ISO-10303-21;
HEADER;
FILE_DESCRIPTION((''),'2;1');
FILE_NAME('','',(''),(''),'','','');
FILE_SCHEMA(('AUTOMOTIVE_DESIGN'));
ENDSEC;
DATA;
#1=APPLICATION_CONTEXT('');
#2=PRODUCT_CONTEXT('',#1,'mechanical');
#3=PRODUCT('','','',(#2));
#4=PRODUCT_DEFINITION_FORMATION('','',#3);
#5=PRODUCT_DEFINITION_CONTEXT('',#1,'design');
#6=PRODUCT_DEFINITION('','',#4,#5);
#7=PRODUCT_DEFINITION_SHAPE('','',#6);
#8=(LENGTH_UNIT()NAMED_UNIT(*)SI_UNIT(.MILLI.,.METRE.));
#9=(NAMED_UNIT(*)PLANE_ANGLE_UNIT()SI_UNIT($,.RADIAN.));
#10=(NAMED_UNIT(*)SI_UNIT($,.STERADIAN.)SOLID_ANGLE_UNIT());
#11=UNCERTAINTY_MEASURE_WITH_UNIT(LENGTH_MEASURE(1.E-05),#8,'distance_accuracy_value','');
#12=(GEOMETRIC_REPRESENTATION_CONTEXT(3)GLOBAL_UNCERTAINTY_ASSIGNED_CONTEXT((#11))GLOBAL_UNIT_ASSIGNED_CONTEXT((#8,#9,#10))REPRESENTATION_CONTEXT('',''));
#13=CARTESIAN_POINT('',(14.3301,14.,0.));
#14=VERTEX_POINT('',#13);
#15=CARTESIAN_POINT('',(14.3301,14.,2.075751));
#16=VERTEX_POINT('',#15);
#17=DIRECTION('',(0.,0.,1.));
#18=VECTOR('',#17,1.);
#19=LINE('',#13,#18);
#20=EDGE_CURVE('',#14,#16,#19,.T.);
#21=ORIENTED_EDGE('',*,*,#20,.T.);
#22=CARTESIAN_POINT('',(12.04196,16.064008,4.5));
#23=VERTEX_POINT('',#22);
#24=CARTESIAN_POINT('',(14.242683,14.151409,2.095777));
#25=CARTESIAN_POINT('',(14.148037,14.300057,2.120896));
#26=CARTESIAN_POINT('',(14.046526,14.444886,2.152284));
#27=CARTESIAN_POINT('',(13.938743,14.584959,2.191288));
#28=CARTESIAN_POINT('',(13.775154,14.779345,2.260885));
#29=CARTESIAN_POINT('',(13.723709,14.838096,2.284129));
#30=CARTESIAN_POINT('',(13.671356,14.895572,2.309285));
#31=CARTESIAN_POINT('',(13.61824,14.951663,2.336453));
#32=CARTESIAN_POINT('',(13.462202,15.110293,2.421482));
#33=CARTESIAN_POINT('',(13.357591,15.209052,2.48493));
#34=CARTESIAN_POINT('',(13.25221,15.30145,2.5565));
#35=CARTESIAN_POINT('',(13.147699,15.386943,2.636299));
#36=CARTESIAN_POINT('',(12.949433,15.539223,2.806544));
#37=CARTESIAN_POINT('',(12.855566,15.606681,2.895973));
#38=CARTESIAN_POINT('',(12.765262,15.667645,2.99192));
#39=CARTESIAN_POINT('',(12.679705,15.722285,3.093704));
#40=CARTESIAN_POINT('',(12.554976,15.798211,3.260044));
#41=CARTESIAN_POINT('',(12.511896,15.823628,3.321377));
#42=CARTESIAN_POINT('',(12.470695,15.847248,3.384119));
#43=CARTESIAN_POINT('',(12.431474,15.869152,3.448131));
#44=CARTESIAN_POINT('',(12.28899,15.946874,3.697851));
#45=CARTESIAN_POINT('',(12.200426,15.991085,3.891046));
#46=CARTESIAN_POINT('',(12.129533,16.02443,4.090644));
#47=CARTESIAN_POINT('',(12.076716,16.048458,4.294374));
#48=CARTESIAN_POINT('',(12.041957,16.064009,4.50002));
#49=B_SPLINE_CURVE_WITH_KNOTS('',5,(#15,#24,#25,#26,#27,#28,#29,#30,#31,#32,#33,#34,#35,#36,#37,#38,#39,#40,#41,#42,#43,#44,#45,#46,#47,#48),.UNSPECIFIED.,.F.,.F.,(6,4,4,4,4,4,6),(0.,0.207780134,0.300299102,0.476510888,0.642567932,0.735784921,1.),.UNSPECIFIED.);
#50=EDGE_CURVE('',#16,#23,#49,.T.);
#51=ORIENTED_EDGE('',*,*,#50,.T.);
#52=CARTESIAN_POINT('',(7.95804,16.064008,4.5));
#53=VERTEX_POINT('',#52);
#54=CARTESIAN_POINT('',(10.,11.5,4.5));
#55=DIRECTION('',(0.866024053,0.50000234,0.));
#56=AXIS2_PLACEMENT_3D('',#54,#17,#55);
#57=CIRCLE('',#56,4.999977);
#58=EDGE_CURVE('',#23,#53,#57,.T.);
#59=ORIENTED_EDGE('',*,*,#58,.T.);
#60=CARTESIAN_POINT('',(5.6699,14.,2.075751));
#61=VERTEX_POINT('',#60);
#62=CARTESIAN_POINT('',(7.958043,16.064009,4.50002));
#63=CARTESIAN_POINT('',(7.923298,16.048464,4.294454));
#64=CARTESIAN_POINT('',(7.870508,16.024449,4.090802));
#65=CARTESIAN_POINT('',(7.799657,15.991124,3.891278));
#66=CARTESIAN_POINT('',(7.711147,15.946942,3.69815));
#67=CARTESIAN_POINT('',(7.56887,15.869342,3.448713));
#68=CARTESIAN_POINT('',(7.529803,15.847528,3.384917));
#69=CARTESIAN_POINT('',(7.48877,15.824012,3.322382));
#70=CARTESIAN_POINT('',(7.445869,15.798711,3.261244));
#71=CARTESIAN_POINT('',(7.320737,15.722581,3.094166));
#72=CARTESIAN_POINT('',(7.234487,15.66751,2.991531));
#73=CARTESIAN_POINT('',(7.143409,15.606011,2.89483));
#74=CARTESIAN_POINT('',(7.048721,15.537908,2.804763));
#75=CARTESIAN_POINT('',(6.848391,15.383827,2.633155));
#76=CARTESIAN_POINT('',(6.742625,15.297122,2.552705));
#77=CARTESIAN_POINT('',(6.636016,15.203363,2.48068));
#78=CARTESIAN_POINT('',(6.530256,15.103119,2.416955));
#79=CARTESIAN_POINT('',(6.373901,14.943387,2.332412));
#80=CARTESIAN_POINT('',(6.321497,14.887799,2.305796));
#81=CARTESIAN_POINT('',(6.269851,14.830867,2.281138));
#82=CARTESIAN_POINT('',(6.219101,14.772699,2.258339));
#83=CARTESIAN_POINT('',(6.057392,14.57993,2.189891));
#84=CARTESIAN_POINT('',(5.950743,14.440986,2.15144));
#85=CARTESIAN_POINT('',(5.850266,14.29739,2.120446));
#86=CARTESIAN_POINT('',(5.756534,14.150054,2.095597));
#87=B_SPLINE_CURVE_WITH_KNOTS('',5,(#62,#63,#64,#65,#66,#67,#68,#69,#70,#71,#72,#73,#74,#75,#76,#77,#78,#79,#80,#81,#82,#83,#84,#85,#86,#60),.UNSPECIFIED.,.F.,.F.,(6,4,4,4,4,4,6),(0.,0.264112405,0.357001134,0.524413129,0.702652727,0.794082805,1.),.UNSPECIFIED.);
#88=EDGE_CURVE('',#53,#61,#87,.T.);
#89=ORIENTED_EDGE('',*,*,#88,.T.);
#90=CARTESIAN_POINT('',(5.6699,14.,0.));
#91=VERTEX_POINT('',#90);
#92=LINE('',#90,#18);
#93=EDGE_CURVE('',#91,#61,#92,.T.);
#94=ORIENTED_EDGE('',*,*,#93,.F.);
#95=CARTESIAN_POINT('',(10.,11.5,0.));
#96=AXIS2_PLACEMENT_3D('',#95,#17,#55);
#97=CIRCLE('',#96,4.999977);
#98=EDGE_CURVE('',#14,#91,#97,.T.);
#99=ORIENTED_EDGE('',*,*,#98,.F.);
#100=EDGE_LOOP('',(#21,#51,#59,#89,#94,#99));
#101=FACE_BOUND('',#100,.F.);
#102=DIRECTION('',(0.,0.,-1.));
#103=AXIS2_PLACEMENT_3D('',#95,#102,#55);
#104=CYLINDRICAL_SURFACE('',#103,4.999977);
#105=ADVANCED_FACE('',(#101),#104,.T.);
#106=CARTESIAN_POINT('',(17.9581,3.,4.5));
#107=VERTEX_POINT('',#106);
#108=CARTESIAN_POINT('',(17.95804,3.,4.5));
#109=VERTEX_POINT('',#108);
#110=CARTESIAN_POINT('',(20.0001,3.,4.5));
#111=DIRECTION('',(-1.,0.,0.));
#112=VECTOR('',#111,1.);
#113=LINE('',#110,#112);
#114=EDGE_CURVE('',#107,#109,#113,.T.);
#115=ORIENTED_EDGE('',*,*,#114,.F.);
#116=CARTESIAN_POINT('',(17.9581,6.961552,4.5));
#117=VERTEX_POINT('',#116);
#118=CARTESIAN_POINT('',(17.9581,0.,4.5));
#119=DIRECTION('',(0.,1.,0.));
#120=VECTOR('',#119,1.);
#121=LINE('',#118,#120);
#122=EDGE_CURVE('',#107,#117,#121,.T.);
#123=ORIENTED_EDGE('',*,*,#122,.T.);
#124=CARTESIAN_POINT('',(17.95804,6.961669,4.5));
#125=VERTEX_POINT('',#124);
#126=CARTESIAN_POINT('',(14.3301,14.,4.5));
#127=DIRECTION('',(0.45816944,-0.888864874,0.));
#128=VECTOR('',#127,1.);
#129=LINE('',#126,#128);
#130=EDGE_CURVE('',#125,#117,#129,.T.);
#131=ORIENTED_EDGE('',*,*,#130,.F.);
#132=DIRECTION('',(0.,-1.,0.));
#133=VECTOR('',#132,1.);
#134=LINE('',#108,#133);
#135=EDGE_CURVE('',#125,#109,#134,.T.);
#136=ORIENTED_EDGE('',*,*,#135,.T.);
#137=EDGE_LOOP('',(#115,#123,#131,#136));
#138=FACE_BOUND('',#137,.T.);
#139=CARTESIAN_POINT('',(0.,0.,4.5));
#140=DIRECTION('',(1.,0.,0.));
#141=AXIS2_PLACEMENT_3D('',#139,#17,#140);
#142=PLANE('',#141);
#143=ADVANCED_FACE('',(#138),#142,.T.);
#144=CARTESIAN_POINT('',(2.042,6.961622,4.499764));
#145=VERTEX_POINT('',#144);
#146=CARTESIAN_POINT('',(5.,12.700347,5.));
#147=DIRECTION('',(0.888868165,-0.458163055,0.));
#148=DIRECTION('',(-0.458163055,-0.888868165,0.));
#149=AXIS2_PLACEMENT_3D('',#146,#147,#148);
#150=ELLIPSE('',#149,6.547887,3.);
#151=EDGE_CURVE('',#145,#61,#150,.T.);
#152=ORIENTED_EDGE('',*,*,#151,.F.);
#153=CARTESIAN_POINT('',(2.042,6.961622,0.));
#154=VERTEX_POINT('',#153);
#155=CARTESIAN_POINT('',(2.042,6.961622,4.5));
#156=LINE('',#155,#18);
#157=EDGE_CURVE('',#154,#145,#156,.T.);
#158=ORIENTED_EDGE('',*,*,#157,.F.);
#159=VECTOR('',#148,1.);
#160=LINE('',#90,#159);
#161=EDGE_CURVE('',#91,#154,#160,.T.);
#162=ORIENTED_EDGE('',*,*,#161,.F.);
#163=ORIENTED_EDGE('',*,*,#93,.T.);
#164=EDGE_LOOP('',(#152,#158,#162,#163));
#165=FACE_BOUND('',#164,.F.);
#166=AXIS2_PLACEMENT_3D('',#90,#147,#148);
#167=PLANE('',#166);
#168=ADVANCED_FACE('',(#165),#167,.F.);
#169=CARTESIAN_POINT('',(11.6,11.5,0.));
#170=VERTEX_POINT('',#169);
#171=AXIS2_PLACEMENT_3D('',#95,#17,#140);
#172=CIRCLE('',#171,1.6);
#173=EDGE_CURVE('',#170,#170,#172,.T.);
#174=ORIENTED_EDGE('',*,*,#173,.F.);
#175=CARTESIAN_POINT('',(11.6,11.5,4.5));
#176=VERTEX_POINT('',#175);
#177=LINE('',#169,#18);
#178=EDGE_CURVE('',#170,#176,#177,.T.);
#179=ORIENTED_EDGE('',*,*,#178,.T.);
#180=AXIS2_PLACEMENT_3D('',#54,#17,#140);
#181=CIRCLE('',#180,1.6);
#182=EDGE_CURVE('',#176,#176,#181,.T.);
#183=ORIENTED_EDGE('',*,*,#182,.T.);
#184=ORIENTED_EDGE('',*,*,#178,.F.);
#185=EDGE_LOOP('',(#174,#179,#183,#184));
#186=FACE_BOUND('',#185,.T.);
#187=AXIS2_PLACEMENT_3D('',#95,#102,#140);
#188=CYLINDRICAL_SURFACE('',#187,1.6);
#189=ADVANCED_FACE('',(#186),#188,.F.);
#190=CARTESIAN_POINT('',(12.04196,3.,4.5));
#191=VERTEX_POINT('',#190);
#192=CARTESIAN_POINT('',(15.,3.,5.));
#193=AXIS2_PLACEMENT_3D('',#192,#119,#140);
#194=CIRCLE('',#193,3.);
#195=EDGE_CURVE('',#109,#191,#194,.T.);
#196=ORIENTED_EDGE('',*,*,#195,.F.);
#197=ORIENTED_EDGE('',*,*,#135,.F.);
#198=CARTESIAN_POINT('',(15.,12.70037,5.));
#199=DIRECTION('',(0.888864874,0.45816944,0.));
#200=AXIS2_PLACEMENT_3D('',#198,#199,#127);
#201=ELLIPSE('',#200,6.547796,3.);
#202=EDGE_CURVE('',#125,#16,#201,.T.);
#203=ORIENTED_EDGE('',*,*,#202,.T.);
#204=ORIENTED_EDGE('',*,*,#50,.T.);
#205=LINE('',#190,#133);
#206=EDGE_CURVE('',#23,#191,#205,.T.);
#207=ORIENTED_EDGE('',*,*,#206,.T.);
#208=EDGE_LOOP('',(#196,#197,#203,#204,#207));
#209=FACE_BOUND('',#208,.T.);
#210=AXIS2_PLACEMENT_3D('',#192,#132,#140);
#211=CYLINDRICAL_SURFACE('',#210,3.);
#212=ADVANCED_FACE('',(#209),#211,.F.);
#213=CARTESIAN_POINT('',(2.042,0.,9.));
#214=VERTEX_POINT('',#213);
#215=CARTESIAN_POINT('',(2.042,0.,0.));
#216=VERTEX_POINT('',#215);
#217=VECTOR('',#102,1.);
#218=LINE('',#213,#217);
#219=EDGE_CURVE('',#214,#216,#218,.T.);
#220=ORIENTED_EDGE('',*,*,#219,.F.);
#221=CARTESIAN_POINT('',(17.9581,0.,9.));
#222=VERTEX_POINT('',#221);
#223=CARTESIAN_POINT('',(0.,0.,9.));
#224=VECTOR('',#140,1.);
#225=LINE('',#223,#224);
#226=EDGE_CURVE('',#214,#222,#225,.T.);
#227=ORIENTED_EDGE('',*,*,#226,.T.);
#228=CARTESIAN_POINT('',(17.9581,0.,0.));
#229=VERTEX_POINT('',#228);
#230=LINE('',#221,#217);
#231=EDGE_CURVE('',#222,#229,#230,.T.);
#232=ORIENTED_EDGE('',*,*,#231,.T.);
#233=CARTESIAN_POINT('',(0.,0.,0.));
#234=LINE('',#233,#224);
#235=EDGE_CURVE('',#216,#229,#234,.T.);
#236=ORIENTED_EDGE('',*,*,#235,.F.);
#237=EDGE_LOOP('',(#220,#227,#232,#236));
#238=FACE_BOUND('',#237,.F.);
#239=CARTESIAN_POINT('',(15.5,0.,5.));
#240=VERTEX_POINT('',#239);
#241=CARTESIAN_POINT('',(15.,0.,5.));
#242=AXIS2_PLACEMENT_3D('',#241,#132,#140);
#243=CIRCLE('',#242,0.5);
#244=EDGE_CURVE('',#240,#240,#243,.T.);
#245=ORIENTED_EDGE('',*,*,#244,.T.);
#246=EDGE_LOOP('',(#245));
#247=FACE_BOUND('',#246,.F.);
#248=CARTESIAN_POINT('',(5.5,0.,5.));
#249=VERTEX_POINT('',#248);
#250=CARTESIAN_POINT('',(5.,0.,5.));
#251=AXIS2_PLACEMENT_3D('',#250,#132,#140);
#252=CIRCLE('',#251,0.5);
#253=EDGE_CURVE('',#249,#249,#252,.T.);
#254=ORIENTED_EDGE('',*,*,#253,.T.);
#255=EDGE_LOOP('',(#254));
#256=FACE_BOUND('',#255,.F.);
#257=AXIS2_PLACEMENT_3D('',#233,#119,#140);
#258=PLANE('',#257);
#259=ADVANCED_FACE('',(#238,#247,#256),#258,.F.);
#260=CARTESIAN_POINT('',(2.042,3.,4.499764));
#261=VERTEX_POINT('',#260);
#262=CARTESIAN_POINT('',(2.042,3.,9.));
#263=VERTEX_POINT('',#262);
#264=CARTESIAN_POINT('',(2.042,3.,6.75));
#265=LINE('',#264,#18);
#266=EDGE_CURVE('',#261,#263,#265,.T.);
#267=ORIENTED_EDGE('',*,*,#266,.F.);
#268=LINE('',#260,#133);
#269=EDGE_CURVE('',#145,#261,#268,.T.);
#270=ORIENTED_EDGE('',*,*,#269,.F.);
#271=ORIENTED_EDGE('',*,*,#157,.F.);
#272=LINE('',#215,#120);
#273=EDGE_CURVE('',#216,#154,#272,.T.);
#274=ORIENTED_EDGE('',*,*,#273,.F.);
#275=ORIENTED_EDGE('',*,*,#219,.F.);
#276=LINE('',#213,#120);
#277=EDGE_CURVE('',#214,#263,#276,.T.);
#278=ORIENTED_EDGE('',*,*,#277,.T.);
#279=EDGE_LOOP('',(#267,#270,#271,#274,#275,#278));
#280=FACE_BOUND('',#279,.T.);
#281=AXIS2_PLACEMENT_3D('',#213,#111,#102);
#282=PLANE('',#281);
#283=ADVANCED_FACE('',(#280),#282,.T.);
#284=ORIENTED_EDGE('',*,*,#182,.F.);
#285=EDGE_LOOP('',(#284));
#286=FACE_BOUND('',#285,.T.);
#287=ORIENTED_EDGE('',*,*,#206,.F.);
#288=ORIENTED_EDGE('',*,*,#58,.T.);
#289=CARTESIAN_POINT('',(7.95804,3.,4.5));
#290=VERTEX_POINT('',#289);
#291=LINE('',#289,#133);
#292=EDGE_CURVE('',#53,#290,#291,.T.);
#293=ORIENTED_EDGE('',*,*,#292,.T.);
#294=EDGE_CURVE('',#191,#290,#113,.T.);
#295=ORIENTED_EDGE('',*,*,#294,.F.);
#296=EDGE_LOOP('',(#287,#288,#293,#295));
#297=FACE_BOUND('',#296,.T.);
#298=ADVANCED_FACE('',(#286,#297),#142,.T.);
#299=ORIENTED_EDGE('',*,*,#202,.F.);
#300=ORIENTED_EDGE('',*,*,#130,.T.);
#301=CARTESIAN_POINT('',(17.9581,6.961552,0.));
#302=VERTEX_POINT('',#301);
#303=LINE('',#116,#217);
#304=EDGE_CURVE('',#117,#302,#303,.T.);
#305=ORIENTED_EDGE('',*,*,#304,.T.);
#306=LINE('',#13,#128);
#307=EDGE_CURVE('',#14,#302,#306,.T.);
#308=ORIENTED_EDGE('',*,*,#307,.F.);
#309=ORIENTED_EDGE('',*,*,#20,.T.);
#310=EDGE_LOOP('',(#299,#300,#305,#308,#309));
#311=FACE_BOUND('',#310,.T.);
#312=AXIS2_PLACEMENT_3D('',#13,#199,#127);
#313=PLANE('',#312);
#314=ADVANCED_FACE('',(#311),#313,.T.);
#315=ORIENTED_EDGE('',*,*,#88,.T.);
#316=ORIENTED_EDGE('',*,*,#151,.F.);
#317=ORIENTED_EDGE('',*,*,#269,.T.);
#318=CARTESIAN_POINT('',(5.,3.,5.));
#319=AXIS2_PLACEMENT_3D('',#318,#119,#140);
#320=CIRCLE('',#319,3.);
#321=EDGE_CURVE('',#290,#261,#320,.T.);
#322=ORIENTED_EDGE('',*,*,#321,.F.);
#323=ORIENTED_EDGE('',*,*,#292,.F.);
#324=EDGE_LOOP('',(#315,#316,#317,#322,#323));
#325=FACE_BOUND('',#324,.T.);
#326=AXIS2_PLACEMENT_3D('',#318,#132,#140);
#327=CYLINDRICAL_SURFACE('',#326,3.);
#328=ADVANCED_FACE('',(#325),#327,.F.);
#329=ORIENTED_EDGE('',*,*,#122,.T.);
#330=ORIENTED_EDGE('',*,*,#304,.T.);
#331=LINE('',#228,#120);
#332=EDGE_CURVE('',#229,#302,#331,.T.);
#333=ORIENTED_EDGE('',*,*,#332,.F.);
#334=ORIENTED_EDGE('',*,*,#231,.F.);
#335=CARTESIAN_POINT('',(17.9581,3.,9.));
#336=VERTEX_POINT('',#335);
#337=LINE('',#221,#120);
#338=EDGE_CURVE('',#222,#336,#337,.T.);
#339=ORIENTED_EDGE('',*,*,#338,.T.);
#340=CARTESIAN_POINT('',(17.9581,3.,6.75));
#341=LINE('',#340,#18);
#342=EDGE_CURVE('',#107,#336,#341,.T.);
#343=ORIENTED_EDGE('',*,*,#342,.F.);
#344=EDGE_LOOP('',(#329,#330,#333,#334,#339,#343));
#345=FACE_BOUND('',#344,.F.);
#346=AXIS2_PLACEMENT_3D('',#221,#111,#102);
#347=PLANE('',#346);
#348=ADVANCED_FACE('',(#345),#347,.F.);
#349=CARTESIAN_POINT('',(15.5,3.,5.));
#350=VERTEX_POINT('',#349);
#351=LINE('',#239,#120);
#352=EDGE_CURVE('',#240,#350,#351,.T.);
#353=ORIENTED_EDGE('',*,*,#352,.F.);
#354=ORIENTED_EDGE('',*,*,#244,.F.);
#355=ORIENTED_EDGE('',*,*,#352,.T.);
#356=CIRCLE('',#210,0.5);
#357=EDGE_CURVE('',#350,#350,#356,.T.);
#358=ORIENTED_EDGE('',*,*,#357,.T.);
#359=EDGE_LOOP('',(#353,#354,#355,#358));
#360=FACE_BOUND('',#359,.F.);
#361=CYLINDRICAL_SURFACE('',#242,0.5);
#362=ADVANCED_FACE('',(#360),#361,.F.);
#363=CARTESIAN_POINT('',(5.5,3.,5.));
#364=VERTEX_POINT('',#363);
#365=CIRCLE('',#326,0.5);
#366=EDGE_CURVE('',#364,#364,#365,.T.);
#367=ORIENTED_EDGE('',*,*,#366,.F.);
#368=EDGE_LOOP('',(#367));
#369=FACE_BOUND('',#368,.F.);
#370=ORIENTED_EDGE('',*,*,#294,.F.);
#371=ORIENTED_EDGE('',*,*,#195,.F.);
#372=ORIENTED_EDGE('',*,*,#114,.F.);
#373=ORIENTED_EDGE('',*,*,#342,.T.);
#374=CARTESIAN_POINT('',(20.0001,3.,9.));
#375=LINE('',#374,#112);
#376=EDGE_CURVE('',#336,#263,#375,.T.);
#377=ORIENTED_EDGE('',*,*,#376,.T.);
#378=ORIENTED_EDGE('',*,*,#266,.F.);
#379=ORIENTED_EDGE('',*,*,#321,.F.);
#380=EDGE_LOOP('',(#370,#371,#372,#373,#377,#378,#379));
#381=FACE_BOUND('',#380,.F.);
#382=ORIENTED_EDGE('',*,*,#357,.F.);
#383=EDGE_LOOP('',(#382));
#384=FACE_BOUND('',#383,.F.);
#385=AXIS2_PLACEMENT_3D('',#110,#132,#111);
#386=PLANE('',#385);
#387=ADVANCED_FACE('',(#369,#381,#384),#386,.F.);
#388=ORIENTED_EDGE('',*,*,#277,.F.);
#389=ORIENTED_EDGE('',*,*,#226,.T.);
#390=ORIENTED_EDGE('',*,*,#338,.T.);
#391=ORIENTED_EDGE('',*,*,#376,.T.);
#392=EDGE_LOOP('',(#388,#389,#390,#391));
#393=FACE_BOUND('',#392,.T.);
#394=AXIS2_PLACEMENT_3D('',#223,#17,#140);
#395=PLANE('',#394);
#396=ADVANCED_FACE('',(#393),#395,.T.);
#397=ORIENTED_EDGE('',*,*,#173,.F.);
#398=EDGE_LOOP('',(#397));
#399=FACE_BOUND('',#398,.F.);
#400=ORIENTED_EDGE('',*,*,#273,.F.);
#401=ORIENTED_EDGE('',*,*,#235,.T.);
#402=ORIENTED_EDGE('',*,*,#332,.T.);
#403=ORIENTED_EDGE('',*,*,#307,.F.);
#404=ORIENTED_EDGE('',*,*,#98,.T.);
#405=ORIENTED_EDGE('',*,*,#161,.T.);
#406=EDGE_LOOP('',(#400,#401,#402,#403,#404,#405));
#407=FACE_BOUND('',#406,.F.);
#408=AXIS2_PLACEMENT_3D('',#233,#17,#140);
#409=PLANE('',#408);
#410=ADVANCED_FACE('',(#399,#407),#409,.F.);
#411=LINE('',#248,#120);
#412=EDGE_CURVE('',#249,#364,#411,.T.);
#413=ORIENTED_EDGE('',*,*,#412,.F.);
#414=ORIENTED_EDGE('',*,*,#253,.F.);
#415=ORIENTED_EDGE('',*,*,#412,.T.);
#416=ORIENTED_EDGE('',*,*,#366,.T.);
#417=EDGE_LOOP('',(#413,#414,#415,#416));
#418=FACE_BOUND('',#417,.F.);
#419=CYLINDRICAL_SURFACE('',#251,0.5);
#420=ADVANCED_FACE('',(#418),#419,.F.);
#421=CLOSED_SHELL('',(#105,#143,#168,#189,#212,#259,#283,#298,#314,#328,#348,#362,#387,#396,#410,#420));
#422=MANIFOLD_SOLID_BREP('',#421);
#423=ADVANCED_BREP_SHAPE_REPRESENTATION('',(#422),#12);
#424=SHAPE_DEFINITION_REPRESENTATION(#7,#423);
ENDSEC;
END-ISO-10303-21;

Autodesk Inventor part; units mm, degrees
ref_plane "YZ Plane" through (0, 0, 0) normal (1, 0, 0) x (0, 1, 0)
ref_plane "XZ Plane" through (0, 0, 0) normal (0, 1, 0) x (-1, 0, 0)
ref_plane "XY Plane" through (0, 0, 0) normal (0, 0, 1) x (1, 0, 0)
sketch "Sketch1" plane through (0, 0, 0) normal (0, 0, 1) x (1, 0, 0)
  circle A0 centre (10, 11.5) radius 1.6
  line L0 (0, 0) -> (20.0001, 0)
  line L1 (0, 0) -> (0, 3)
  line L2 (20.0001, 0) -> (20.0001, 3)
  line L3 (0, 3) -> (16, 3) construction
  line L4 (20.0001, 3) -> (36.0001, 3) construction
  arc A1 (14.3301, 14) -> (5.6699, 14) centre (10, 11.5) ccw
  line L5 (10, 11.5) -> (5.6699, 14) construction
  line L6 (10, 11.5) -> (14.3301, 14) construction
  line L7 (5.6699, 14) -> (0, 3)
  line L8 (14.3301, 14) -> (20.0001, 3)
  dimension "d17" = 3
  dimension "d18" = 3
  dimension "d19" = 11.5
  dimension "d23" = 90
  dimension "d24" = 90
  dimension "d25" = 10
  dimension "d31" = 5
  dimension "d32" = 120
  dimension "d33" = 14
extrude "Extrusion1" add sketch "Sketch1" along normal blind 4.5
sketch "Sketch4" plane through (0, 0, 4.5) normal (0, 0, 1) x (1, 0, 0)
  line L0 (0, 3) -> (0, 0) projected
  line L1 (20.0001, 0) -> (20.0001, 3) projected
  line L2 (0, 0) -> (20.0001, 0)
  line L3 (20.0001, 0) -> (20.0001, 3)
  line L4 (3.884, 22.9404) -> (-0.9789, 3.2417) projected
  line L5 (20.0001, 3) -> (0, 3)
  line L6 (0, 3) -> (0, 0)
extrude "Extrusion2" add sketch "Sketch4" along normal blind 4.5
sketch "Sketch5" plane through (0, 0, 0) normal (0, -1, 0) x (1, 0, 0)
  circle A0 centre (5, 5) radius 0.5
  circle A1 centre (15, 5) radius 0.5
  line L0 (0, 0) -> (20.0001, 0) projected
  dimension "d13" = 1
  dimension "d14" = 1
  dimension "d38" = 5
  dimension "d39" = 5
extrude "Extrusion3" cut sketch "Sketch5" against normal blind 5.5
sketch "Sketch6" plane through (0, 3, 9) normal (0, 1, 0) x (1, 0, 0)
  circle A0 centre (5, 4) radius 0.5 projected
  circle A1 centre (5, 4) radius 3
  circle A2 centre (15, 4) radius 0.5 projected
  circle A3 centre (15, 4) radius 3
  line L0 (0, 9) -> (20.0001, 9) projected
  dimension "d34" = 6
  dimension "d35" = 6
  dimension "d40" = 5
  dimension "d41" = 5
extrude "Extrusion4" cut sketch "Sketch6" along normal up to next
sketch "Sketch7" plane through (0, 0, 0) normal (0, -1, 0) x (1, 0, 0)
  line L0 (0, 0) -> (0, 9) projected
  line L1 (2.042, 0) -> (0, 0)
  line L2 (0, 0) -> (0, 9)
  line L3 (0, 9) -> (2.042, 9)
  line L4 (2.042, 9) -> (2.042, 0)
extrude "Extrusion5" cut sketch "Sketch7" against normal up to next
sketch "Sketch8" plane through (20.0001, 0, 0) normal (0, -1, 0) x (1, 0, 0)
  line L0 (0, 4.5) -> (0, 9) projected
  line L1 (-2.042, 0) -> (0, 0)
  line L2 (0, 0) -> (0, 9)
  line L3 (0, 9) -> (-2.042, 9)
  line L4 (-2.042, 9) -> (-2.042, 0)
  point P0 (-20.0001, 0)
extrude "Extrusion6" cut sketch "Sketch8" against normal up to next
properties part number "lower_deck_short_shaft_mount_for_AD"
